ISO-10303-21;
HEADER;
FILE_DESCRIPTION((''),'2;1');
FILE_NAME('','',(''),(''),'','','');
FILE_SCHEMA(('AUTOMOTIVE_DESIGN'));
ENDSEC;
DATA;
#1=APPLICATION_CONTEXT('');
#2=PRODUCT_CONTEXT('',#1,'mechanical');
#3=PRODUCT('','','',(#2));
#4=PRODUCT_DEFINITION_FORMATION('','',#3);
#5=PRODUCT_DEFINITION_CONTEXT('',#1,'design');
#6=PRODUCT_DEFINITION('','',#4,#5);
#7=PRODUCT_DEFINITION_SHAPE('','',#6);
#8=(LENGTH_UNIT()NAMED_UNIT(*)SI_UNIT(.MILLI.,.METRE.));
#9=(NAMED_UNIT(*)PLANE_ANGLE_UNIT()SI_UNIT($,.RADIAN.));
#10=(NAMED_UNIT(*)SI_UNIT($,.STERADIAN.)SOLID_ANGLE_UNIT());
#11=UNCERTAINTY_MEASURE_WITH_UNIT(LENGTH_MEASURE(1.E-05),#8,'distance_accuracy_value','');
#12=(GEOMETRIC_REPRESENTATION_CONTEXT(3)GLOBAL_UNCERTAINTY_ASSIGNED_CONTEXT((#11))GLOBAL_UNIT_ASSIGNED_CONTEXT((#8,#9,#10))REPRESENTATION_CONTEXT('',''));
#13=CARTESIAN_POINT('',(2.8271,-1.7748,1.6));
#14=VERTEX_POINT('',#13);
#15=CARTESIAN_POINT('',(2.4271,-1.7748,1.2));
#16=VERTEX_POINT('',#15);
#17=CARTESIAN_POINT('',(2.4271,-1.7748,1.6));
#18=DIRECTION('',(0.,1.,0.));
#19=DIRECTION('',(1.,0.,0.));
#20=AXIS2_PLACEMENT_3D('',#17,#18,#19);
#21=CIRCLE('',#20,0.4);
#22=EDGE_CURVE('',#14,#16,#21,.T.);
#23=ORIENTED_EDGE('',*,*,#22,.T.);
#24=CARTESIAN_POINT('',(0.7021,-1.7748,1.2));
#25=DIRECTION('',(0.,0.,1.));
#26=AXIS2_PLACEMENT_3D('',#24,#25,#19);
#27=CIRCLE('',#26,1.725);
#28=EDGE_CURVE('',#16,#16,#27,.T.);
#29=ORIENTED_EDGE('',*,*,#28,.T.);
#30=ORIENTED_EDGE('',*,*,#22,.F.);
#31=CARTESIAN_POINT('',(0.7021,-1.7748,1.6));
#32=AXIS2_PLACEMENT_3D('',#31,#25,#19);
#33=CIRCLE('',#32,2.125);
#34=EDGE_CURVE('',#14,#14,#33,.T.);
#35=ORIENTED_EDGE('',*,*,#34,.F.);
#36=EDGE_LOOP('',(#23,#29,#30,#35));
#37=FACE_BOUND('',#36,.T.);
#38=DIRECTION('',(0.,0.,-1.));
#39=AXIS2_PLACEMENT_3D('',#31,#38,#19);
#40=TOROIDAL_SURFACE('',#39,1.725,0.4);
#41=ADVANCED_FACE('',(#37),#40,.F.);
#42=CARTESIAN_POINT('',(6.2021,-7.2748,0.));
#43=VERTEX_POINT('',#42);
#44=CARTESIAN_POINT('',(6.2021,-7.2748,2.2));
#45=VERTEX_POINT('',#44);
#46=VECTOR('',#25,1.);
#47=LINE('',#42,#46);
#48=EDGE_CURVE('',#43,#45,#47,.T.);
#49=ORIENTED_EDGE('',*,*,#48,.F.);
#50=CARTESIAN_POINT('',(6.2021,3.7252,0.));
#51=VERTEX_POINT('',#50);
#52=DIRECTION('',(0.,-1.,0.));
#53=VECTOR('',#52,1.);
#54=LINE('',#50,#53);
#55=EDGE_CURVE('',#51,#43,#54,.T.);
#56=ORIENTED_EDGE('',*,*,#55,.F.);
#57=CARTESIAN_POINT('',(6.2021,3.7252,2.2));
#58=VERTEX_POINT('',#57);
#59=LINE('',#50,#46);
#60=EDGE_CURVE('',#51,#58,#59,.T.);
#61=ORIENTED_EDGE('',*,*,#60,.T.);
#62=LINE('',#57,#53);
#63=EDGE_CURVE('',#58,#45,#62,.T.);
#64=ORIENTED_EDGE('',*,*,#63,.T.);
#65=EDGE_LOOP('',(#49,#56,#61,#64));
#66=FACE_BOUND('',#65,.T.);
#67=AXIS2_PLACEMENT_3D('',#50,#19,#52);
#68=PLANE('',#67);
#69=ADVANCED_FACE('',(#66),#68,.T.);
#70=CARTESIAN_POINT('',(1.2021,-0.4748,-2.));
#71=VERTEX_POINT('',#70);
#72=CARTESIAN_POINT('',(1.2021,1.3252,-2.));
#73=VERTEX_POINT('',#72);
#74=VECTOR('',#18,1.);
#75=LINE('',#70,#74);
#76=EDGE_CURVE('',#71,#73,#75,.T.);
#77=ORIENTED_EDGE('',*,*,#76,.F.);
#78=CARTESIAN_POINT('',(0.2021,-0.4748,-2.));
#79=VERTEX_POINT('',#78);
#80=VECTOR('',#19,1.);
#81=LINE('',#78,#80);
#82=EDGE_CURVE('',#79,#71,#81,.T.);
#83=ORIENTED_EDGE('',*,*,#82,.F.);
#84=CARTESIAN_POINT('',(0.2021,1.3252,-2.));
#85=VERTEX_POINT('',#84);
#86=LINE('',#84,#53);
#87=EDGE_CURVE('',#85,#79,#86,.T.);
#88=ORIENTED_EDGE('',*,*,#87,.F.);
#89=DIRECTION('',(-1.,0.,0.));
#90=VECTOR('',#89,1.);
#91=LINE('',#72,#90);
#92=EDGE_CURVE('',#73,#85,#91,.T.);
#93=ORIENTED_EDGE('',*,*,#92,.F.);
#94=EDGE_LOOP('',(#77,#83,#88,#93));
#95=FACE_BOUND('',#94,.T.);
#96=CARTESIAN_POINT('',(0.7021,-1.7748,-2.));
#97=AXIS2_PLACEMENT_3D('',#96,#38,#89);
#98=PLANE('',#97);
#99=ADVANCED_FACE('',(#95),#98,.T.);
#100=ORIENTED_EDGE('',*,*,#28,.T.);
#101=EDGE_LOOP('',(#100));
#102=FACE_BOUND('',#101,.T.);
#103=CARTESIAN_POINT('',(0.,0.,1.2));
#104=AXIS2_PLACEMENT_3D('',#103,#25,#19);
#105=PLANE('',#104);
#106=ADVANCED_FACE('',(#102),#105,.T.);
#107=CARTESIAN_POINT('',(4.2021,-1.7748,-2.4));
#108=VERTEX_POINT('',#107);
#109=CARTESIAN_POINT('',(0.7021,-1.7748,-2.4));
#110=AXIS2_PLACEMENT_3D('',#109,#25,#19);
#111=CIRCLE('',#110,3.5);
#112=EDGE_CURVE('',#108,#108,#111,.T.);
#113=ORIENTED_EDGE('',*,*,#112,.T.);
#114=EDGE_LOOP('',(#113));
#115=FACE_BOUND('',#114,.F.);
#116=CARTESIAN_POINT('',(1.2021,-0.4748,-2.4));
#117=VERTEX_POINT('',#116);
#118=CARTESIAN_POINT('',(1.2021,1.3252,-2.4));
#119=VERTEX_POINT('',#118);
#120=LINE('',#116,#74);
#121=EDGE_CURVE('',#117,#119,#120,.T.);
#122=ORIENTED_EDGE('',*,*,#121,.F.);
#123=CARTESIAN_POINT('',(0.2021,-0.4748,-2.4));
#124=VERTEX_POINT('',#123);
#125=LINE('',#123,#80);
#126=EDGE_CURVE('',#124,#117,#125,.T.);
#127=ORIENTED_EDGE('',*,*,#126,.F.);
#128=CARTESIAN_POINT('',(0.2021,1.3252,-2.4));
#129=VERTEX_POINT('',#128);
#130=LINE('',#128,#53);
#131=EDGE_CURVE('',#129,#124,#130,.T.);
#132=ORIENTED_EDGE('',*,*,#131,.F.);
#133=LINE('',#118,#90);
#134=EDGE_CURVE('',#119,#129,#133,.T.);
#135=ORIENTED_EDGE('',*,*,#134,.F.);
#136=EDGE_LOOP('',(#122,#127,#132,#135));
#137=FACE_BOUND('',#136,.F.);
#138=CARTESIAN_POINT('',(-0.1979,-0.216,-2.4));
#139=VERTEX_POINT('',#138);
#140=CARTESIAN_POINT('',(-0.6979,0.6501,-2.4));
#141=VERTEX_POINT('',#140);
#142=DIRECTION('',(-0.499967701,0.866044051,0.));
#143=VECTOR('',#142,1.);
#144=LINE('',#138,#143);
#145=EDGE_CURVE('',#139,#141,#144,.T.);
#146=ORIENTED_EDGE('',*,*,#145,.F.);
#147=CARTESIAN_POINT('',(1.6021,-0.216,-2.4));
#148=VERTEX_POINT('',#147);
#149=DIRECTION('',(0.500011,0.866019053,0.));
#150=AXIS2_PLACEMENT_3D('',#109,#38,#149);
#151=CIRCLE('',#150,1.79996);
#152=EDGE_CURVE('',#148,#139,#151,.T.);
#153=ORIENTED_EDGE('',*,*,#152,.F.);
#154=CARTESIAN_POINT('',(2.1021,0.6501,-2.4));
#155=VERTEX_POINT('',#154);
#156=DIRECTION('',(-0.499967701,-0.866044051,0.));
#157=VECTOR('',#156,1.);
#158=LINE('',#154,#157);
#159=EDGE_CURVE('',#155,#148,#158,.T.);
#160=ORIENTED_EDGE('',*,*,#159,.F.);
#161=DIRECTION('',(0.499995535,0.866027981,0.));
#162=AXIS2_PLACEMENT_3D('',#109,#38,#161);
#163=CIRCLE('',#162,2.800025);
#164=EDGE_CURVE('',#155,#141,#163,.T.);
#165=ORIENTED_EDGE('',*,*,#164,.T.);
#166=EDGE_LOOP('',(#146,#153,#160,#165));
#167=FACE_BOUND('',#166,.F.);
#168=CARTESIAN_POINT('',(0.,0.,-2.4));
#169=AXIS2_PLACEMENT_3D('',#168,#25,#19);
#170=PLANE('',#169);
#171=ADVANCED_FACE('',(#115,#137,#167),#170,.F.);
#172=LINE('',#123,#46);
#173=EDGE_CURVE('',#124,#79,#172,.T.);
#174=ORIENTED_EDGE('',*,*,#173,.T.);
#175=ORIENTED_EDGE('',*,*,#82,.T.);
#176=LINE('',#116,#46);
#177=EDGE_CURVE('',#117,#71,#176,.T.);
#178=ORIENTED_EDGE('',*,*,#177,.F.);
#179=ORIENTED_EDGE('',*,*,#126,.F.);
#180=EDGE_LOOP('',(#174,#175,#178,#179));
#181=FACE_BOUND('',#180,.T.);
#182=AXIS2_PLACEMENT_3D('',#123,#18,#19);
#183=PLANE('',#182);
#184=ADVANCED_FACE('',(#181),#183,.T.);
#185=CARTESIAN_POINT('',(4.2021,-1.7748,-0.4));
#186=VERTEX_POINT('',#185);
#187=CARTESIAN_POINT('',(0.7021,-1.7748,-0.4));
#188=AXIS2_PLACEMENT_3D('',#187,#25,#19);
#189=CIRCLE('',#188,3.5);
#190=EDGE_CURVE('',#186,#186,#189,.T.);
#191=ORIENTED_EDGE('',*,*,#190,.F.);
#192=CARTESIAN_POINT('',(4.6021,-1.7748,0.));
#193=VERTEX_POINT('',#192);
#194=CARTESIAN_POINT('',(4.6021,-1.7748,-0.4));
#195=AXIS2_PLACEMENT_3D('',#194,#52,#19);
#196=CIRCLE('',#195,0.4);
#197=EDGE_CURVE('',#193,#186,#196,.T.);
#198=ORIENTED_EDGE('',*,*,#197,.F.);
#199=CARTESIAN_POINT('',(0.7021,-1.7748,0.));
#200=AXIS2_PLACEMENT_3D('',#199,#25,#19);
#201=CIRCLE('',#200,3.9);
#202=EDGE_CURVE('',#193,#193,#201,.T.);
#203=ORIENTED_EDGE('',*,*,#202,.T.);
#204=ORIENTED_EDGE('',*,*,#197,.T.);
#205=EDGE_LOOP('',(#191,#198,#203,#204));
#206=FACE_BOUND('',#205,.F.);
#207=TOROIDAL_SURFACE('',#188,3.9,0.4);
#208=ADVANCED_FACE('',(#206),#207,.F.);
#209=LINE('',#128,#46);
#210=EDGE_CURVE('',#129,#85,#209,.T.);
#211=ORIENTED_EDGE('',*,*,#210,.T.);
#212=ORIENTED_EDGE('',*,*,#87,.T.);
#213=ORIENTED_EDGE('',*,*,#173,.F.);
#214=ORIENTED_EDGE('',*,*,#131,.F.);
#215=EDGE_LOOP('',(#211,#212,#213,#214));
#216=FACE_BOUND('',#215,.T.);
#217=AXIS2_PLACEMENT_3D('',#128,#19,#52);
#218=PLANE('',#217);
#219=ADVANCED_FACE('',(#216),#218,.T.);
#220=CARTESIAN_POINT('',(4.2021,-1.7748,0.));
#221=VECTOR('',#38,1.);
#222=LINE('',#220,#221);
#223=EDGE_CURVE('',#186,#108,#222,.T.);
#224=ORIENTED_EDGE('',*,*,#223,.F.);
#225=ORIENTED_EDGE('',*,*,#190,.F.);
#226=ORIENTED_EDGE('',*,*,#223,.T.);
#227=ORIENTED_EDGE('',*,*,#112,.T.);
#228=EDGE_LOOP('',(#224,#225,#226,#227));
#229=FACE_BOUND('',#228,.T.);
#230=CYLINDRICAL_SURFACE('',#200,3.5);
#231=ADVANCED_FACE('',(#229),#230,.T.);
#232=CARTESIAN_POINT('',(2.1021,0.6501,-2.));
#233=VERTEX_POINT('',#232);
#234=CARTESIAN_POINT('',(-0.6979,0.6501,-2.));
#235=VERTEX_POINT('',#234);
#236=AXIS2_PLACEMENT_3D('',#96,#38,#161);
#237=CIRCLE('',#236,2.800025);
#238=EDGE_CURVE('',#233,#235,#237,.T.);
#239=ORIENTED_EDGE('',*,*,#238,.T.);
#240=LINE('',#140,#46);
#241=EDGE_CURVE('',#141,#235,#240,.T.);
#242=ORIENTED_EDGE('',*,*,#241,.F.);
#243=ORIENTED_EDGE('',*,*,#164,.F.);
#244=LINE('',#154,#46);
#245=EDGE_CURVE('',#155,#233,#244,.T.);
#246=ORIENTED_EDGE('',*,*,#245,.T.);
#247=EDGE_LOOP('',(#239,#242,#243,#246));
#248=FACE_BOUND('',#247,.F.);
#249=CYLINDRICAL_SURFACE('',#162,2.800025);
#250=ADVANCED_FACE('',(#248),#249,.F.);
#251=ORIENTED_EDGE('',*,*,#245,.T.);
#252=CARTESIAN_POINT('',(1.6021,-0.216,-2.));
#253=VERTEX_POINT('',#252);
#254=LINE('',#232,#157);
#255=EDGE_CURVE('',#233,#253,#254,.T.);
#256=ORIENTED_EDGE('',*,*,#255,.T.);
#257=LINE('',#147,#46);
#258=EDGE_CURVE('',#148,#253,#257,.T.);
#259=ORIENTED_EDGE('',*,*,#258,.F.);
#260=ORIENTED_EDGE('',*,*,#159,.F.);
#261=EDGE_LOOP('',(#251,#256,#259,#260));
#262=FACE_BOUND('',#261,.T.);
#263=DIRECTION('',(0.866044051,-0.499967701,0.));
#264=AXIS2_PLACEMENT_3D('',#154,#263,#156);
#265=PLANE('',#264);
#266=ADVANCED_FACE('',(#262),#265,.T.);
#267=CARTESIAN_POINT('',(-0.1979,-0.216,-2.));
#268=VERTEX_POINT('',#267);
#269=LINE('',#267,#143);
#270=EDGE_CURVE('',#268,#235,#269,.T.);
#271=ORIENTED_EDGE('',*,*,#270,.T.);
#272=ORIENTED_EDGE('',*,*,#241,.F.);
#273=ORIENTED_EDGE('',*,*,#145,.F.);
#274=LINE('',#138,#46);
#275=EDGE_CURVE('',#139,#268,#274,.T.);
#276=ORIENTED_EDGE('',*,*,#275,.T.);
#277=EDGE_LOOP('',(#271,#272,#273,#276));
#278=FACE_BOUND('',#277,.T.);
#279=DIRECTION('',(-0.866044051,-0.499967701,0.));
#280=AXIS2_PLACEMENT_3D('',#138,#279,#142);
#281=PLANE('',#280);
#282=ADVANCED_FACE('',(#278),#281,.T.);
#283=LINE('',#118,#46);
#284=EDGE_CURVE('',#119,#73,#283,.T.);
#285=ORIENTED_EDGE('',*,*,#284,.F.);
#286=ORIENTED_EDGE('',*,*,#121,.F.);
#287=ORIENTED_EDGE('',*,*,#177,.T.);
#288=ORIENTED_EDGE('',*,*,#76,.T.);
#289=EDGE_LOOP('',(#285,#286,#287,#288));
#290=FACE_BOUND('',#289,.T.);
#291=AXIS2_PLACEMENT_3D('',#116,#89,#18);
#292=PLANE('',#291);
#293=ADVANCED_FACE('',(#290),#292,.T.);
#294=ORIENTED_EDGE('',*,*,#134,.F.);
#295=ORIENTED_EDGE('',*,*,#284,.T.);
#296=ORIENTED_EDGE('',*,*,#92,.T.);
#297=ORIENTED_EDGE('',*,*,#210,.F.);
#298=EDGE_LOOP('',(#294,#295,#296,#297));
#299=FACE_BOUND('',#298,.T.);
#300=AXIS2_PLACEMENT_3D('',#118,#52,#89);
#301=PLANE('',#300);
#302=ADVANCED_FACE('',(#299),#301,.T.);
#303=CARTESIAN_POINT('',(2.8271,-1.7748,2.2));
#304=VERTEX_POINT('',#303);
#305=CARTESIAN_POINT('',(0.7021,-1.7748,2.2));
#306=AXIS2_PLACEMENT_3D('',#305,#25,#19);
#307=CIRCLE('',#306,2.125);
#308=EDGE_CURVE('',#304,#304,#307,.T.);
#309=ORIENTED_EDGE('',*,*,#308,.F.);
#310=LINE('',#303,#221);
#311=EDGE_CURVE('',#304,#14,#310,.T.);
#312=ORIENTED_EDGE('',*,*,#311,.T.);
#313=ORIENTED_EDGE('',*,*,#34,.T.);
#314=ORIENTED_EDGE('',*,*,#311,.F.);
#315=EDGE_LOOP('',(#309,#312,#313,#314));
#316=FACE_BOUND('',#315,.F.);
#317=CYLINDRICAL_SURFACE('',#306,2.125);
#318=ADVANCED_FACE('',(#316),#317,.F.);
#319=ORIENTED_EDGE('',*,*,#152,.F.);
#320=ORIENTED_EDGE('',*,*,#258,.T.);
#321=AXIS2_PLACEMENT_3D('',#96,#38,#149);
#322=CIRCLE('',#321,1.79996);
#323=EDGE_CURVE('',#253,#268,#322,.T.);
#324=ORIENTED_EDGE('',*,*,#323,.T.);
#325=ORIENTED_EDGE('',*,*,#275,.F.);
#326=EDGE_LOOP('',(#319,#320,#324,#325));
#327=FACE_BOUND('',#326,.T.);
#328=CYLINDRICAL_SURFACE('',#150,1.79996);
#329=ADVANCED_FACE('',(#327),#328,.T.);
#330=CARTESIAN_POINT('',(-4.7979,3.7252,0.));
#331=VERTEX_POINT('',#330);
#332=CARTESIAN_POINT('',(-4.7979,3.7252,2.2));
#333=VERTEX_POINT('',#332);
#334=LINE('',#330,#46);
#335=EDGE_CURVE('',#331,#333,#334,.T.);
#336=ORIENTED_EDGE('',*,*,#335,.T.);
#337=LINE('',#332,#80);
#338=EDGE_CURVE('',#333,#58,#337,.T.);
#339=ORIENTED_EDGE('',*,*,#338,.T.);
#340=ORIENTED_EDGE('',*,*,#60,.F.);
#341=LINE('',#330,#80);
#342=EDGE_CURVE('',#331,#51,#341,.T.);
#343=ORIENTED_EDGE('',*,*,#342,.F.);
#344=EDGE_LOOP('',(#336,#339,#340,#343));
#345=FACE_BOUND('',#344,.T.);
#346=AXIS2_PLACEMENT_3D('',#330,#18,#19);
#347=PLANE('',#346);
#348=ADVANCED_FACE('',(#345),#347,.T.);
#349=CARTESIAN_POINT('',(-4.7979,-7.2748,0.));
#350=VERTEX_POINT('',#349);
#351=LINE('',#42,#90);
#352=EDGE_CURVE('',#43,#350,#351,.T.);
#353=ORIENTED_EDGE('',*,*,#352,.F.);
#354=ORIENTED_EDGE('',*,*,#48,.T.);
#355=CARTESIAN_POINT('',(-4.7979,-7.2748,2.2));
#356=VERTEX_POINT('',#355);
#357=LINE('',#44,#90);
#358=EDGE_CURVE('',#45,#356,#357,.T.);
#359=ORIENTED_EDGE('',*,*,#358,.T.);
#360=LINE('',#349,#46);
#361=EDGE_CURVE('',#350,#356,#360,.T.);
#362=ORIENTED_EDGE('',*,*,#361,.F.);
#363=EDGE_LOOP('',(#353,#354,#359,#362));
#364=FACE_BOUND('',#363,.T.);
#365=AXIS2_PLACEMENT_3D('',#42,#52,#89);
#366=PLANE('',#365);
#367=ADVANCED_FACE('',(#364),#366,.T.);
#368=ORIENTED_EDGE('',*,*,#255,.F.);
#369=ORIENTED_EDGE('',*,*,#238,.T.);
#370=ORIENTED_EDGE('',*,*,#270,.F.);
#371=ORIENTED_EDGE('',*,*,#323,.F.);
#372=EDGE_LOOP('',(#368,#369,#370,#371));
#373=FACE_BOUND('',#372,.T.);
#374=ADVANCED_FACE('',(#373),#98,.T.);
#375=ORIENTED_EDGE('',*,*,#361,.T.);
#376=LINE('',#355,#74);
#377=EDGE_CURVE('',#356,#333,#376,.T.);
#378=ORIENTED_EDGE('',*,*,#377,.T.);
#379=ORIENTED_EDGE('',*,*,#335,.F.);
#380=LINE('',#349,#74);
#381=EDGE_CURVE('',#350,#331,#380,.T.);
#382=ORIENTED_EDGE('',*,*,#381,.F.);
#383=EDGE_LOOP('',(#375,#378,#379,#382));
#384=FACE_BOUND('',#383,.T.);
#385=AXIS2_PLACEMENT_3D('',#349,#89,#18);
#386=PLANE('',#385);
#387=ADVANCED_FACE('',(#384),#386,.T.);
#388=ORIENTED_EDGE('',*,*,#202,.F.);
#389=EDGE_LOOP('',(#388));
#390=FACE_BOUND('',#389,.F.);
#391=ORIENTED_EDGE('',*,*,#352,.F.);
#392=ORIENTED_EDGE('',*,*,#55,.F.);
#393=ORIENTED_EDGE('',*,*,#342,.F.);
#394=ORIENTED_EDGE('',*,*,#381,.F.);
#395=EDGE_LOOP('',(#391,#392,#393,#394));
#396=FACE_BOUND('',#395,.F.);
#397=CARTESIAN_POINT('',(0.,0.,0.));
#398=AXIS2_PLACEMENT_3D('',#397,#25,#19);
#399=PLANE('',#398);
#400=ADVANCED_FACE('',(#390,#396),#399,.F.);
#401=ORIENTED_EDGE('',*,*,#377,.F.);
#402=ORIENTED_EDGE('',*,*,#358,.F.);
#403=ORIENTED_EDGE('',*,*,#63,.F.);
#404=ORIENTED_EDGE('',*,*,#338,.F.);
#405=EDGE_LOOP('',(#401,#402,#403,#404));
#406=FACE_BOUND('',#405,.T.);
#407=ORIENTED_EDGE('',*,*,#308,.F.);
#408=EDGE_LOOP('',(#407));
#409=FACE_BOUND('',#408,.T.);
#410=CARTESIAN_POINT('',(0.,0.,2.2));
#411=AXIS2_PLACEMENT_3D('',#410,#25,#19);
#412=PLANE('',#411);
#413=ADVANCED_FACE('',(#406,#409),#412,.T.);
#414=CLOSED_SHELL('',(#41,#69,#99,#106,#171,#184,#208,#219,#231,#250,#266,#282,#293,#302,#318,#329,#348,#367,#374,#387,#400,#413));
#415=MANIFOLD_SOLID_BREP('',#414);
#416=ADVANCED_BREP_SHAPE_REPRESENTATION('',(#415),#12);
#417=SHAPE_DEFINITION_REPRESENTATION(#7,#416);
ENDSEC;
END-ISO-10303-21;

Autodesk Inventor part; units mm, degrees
ref_plane "YZ Plane" through (0, 0, 0) normal (1, 0, 0) x (0, 1, 0)
ref_plane "XZ Plane" through (0, 0, 0) normal (0, 1, 0) x (-1, 0, 0)
ref_plane "XY Plane" through (0, 0, 0) normal (0, 0, 1) x (1, 0, 0)
sketch "Sketch1" plane through (0, 0, 0) normal (0, 0, 1) x (1, 0, 0)
  line L0 (-4.7979, 3.7252) -> (6.2021, 3.7252)
  line L1 (6.2021, 3.7252) -> (6.2021, -7.2748)
  line L2 (6.2021, -7.2748) -> (-4.7979, -7.2748)
  line L3 (-4.7979, -7.2748) -> (-4.7979, 3.7252)
  circle A0 centre (0.7021, -1.7748) radius 3.5
  point P0 (0, 0)
  dimension "d0" = 11
  dimension "d1" = 11
  dimension "d2" = 7
extrude "Base" add sketch "Sketch1" along normal blind 2.2 contours L0 L1 L2 L3 | A0
extrude "Button" add sketch "Sketch1" against normal blind 2.4 contours A0
sketch "Sketch2" plane through (0, 0, 2.2) normal (0, 0, 1) x (1, 0, 0)
  circle A0 centre (0.7021, -1.7748) radius 2.125
  line L0 (6.2021, 3.7252) -> (-4.7979, 3.7252) projected
  line L1 (-4.7979, 3.7252) -> (-4.7979, -7.2748) projected
  point P0 (0, 0)
  dimension "d7" = 4.25
  dimension "d8" = 5.5
  dimension "d9" = 5.5
extrude "Tact switch button cutout" cut sketch "Sketch2" against normal blind 1
fillet "Cutout fillet" radius 0.4 1 edges at (-1.4229, -1.7748, 1.2)
fillet "Fillet2" radius 0.4 1 edges at (-2.7979, -1.7748, 0)
sketch "Sketch3" plane through (0.7021, -1.7748, -2.4) normal (0, 0, -1) x (-1, 0, 0)
  arc A0 (-1.4, 2.4249) -> (1.4, 2.4249) centre (0, 0) ccw
  line L0 (0, 0) -> (-1.4, 2.4249) construction
  line L1 (0, 0) -> (1.4, 2.4249) construction
  arc A1 (-0.9, 1.5588) -> (0.9, 1.5588) centre (0, 0) ccw
  line L2 (0, 0) -> (-0.9, 1.5588) construction
  line L3 (0, 0) -> (0.9, 1.5588) construction
  line L4 (-5.5, 5.5) -> (-5.5, -5.5) projected
  line L5 (5.5, 5.5) -> (-5.5, 5.5) projected
  line L6 (-1.4, 2.4249) -> (-0.9, 1.5588)
  line L7 (0.9, 1.5588) -> (1.4, 2.4249)
  line L8 (5.5, -5.5) -> (5.5, 5.5) projected
  line L9 (-0.5, 3.1) -> (0.5, 3.1)
  line L10 (0.5, 3.1) -> (0.5, 1.3)
  line L11 (0.5, 1.3) -> (-0.5, 1.3)
  line L12 (-0.5, 1.3) -> (-0.5, 3.1)
  point P0 (0.7021, 1.7748)
  dimension "d17" = 2.8
  dimension "d18" = 60
  dimension "d19" = 1.8
  dimension "d20" = 60
  dimension "d21" = 5.5
  dimension "d22" = 5.5
  dimension "d23" = 30
  dimension "d24" = 1
  dimension "d25" = 0.5
  dimension "d26" = 1.8
  dimension "d27" = 1.3
extrude "Power symbol" cut sketch "Sketch3" against normal blind 0.4
equation "\"d18\" = d20"
equation "\"d23\" = 0.5 * d20"
equation "\"d25\" = 0.5 * d24"
properties part number "power button"
